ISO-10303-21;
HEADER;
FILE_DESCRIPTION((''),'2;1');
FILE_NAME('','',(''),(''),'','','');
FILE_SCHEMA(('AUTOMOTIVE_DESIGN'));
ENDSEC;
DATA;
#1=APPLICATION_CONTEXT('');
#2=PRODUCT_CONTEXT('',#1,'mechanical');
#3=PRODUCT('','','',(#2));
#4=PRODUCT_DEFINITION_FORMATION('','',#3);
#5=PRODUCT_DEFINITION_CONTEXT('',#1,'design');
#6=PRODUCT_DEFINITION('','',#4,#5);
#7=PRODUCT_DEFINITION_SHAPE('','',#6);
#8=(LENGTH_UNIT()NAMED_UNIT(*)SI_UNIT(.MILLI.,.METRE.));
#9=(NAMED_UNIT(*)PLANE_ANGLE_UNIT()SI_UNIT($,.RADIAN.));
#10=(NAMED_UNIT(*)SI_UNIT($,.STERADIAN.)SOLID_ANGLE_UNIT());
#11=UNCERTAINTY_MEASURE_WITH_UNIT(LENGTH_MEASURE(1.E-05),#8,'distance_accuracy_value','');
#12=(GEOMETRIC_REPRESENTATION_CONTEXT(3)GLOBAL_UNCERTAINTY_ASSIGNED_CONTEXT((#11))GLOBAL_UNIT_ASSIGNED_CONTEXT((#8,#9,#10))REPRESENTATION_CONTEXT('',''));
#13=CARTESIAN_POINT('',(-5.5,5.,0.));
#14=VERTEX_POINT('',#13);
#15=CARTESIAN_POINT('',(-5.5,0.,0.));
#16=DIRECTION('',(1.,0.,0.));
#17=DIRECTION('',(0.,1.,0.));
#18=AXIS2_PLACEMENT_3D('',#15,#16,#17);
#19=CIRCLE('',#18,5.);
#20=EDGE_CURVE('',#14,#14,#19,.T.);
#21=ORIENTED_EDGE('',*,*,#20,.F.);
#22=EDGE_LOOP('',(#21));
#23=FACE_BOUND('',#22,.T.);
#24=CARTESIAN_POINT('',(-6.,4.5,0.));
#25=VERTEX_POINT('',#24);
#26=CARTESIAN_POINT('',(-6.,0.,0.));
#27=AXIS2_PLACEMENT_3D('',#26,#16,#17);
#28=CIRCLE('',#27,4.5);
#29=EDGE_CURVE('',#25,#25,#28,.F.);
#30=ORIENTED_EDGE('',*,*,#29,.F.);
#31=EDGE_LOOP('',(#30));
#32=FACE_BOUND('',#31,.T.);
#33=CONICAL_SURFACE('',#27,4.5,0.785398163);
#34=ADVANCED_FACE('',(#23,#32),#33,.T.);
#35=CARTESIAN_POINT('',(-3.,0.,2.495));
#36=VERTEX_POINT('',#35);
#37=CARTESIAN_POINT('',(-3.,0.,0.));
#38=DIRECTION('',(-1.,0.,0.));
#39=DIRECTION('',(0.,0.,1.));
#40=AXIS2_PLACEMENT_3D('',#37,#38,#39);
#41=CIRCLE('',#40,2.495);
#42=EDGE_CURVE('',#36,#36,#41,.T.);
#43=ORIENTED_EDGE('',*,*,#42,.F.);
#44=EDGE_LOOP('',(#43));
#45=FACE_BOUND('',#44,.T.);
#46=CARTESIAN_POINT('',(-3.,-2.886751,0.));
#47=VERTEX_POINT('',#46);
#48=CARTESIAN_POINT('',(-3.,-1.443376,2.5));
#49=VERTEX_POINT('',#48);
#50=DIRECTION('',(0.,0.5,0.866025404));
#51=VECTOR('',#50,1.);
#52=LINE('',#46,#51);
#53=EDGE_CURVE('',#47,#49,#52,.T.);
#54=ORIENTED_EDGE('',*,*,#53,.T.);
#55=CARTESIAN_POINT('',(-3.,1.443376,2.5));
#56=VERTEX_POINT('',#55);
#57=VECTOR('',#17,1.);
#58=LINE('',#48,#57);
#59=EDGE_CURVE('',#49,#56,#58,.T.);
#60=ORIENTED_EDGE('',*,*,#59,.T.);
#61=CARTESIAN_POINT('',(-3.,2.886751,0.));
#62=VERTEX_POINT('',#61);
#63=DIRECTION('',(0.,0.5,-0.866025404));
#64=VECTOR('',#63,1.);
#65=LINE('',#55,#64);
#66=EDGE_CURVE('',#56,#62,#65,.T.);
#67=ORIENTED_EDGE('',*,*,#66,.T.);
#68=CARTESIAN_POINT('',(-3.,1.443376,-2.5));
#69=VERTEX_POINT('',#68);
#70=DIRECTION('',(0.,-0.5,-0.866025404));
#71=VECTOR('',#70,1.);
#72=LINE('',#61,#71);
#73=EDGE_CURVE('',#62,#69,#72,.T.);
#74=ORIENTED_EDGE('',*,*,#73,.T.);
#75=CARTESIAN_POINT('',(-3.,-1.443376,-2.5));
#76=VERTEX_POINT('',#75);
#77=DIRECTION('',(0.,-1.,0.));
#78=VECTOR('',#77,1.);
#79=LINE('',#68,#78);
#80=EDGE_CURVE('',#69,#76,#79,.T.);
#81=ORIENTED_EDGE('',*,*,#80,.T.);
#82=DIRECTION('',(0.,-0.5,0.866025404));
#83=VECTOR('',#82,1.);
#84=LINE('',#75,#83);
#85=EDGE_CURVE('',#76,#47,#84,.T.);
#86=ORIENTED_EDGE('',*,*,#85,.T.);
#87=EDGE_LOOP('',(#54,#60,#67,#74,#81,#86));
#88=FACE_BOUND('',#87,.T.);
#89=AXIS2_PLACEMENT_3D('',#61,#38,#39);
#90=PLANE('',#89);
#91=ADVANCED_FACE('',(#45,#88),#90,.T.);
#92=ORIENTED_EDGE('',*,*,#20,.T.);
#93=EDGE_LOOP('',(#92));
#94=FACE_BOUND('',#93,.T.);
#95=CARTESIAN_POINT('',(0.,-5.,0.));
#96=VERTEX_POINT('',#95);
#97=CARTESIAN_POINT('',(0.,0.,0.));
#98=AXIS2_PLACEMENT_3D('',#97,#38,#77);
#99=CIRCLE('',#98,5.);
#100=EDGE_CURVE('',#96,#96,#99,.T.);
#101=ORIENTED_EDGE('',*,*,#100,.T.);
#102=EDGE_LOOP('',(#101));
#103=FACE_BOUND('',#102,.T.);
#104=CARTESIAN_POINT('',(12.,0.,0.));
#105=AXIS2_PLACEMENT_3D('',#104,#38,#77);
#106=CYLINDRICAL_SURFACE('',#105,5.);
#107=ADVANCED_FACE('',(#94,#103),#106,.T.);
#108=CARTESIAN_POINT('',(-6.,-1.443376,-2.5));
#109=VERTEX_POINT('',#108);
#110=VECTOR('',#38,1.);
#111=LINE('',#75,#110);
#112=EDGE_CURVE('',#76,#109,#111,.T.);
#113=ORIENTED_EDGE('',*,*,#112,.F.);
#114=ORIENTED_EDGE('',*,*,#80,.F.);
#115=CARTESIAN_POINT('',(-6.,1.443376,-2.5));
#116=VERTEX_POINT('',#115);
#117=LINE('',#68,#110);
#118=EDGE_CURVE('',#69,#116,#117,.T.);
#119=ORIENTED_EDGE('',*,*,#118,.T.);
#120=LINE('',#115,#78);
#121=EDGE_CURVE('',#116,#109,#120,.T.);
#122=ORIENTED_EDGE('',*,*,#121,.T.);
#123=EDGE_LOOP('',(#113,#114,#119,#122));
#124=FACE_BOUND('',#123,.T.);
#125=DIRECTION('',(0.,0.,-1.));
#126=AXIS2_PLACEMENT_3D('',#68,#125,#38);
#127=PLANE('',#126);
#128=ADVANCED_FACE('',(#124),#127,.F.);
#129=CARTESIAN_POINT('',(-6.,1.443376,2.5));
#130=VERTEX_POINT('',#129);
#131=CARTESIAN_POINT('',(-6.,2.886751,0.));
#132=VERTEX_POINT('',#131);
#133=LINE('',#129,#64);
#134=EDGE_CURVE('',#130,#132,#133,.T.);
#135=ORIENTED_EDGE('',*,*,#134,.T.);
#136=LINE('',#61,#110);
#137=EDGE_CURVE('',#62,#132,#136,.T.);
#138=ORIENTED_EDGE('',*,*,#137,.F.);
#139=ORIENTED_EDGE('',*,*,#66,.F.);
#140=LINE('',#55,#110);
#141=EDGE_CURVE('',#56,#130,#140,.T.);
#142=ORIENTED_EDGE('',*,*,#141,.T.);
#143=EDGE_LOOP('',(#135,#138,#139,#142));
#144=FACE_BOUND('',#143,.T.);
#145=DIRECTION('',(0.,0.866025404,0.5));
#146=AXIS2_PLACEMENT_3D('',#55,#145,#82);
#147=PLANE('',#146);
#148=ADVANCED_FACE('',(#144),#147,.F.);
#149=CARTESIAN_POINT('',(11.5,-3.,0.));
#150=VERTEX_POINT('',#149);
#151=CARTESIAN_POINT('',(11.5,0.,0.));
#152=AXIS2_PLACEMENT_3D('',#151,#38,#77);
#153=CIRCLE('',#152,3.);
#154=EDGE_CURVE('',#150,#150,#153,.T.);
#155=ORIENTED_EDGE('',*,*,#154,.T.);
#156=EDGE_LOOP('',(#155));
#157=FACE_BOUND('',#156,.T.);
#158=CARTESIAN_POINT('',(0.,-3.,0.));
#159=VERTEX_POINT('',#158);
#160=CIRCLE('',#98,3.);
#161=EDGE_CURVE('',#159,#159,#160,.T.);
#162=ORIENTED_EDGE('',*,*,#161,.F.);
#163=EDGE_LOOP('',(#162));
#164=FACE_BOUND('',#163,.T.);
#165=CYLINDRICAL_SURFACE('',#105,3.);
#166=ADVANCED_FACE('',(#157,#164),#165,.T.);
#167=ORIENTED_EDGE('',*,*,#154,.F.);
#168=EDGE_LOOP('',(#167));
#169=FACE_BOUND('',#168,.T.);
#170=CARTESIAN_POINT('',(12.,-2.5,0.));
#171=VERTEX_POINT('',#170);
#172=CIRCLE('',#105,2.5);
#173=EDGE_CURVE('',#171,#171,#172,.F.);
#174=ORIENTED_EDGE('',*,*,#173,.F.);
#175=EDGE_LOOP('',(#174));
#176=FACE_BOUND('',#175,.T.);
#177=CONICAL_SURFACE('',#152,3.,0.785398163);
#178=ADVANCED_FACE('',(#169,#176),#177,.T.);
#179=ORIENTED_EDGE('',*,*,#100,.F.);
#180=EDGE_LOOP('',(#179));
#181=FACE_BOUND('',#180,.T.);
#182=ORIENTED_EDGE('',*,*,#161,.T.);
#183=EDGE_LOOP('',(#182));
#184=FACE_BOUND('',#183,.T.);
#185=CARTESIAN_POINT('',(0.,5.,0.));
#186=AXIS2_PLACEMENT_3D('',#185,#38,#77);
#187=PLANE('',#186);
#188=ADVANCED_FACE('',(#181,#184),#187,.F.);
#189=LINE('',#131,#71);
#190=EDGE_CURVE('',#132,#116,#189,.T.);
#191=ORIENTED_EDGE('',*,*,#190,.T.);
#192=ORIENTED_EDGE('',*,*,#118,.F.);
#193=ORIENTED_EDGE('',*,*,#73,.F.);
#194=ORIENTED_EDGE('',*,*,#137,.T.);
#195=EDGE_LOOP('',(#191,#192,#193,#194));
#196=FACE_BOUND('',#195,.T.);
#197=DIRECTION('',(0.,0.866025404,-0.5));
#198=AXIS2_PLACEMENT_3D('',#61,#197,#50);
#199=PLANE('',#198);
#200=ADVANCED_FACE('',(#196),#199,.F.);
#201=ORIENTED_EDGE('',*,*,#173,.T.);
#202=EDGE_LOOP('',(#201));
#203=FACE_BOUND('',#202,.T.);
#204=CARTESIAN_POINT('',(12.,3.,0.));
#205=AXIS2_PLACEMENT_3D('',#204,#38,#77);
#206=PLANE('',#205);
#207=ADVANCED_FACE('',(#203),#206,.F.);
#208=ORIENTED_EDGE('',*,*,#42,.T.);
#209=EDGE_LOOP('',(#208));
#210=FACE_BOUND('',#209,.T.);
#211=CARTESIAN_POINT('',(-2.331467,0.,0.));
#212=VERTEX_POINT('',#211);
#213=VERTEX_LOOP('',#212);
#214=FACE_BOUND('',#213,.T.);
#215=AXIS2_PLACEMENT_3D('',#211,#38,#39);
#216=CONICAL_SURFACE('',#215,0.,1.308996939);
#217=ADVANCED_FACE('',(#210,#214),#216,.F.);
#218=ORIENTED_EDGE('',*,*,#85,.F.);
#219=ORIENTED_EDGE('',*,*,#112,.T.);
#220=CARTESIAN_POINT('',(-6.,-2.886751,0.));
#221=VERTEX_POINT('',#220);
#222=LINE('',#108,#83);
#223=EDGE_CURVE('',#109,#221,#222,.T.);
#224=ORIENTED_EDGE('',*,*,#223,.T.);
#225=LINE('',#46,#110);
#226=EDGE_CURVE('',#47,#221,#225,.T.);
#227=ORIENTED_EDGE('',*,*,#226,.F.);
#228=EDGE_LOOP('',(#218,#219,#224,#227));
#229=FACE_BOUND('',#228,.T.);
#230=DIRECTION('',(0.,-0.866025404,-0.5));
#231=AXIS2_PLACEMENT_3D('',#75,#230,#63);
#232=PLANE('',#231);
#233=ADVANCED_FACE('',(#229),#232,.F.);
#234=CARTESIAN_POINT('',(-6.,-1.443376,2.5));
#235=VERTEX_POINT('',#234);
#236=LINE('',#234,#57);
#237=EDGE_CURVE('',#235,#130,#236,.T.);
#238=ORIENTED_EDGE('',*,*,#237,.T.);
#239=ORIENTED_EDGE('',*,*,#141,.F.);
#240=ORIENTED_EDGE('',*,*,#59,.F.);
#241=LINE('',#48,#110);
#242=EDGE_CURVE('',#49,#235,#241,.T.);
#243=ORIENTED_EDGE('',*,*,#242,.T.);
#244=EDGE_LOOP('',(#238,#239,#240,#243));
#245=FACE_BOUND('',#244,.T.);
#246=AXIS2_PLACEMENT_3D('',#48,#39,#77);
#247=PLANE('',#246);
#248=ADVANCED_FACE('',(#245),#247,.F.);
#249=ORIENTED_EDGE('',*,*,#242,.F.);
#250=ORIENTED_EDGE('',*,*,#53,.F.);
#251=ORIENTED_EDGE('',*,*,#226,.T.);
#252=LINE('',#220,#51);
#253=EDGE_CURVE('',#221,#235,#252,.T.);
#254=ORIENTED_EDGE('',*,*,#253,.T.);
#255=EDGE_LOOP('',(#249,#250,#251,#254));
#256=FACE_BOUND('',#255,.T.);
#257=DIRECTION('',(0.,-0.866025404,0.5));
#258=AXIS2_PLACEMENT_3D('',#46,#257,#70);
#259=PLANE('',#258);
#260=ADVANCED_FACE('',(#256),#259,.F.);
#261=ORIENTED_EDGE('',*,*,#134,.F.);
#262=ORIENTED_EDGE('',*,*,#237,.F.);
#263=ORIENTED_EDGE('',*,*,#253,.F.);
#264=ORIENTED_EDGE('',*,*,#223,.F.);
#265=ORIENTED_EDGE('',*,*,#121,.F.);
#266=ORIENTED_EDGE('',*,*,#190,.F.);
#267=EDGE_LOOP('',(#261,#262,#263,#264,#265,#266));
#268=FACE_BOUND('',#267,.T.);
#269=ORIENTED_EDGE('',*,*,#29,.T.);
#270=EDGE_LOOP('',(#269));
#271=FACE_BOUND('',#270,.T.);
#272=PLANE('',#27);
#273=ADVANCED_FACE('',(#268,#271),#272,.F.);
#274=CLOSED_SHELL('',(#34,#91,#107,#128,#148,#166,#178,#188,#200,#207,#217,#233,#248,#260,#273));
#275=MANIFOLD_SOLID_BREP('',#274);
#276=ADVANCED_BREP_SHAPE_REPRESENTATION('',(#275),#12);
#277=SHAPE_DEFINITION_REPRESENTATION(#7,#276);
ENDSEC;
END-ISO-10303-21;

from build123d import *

# Parameters (mm, degrees)
CUT_EXTRUDE1_DEPTH = 3
CHAMFER1_SIZE      = 0.5


with BuildPart() as part:
    # Sketch1 → Revolve1 (revolve)
    with BuildSketch(Plane.XY, mode=Mode.PRIVATE) as revolve1_sk:
        Polygon((-6, 0), (-6, 5), (0, 5), (0, 3), (12, 3), (12, 0), align=None)
    revolve(revolve1_sk.sketch.rotate(Axis((12, 0, 0), (-1, 0, 0)), 180), axis=Axis((12, 0, 0), (-1, 0, 0)))

    # Sketch2 → Cut-Revolve1 (revolve, cut)
    with BuildSketch(Plane.XY, mode=Mode.PRIVATE) as cut_revolve1_sk:
        Polygon((-6, 0), (-6, 2.495), (-3, 2.495), (-2.331466765, 0), align=None)
    revolve(cut_revolve1_sk.sketch.rotate(Axis((-2.331466765, 0, 0), (-1, 0, 0)), 270), axis=Axis((-2.331466765, 0, 0), (-1, 0, 0)), mode=Mode.SUBTRACT)

    # Sketch3 → Cut-Extrude1 (cut)
    with BuildSketch(Plane.ZY.offset(6)):
        Polygon((0, 2.886751346), (-2.5, 1.443375673), (-2.5, -1.443375673), (0, -2.886751346), (2.5, -1.443375673), (2.5, 1.443375673), align=None)
    extrude(amount=-CUT_EXTRUDE1_DEPTH, mode=Mode.SUBTRACT)

    # Chamfer1
    chamfer1_edges = [part.edges().sort_by_distance(p)[0] for p in [
        (12, 3, 0),
        (-6, 5, 0),
    ]]
    chamfer(chamfer1_edges, length=CHAMFER1_SIZE)


solid = part.part
